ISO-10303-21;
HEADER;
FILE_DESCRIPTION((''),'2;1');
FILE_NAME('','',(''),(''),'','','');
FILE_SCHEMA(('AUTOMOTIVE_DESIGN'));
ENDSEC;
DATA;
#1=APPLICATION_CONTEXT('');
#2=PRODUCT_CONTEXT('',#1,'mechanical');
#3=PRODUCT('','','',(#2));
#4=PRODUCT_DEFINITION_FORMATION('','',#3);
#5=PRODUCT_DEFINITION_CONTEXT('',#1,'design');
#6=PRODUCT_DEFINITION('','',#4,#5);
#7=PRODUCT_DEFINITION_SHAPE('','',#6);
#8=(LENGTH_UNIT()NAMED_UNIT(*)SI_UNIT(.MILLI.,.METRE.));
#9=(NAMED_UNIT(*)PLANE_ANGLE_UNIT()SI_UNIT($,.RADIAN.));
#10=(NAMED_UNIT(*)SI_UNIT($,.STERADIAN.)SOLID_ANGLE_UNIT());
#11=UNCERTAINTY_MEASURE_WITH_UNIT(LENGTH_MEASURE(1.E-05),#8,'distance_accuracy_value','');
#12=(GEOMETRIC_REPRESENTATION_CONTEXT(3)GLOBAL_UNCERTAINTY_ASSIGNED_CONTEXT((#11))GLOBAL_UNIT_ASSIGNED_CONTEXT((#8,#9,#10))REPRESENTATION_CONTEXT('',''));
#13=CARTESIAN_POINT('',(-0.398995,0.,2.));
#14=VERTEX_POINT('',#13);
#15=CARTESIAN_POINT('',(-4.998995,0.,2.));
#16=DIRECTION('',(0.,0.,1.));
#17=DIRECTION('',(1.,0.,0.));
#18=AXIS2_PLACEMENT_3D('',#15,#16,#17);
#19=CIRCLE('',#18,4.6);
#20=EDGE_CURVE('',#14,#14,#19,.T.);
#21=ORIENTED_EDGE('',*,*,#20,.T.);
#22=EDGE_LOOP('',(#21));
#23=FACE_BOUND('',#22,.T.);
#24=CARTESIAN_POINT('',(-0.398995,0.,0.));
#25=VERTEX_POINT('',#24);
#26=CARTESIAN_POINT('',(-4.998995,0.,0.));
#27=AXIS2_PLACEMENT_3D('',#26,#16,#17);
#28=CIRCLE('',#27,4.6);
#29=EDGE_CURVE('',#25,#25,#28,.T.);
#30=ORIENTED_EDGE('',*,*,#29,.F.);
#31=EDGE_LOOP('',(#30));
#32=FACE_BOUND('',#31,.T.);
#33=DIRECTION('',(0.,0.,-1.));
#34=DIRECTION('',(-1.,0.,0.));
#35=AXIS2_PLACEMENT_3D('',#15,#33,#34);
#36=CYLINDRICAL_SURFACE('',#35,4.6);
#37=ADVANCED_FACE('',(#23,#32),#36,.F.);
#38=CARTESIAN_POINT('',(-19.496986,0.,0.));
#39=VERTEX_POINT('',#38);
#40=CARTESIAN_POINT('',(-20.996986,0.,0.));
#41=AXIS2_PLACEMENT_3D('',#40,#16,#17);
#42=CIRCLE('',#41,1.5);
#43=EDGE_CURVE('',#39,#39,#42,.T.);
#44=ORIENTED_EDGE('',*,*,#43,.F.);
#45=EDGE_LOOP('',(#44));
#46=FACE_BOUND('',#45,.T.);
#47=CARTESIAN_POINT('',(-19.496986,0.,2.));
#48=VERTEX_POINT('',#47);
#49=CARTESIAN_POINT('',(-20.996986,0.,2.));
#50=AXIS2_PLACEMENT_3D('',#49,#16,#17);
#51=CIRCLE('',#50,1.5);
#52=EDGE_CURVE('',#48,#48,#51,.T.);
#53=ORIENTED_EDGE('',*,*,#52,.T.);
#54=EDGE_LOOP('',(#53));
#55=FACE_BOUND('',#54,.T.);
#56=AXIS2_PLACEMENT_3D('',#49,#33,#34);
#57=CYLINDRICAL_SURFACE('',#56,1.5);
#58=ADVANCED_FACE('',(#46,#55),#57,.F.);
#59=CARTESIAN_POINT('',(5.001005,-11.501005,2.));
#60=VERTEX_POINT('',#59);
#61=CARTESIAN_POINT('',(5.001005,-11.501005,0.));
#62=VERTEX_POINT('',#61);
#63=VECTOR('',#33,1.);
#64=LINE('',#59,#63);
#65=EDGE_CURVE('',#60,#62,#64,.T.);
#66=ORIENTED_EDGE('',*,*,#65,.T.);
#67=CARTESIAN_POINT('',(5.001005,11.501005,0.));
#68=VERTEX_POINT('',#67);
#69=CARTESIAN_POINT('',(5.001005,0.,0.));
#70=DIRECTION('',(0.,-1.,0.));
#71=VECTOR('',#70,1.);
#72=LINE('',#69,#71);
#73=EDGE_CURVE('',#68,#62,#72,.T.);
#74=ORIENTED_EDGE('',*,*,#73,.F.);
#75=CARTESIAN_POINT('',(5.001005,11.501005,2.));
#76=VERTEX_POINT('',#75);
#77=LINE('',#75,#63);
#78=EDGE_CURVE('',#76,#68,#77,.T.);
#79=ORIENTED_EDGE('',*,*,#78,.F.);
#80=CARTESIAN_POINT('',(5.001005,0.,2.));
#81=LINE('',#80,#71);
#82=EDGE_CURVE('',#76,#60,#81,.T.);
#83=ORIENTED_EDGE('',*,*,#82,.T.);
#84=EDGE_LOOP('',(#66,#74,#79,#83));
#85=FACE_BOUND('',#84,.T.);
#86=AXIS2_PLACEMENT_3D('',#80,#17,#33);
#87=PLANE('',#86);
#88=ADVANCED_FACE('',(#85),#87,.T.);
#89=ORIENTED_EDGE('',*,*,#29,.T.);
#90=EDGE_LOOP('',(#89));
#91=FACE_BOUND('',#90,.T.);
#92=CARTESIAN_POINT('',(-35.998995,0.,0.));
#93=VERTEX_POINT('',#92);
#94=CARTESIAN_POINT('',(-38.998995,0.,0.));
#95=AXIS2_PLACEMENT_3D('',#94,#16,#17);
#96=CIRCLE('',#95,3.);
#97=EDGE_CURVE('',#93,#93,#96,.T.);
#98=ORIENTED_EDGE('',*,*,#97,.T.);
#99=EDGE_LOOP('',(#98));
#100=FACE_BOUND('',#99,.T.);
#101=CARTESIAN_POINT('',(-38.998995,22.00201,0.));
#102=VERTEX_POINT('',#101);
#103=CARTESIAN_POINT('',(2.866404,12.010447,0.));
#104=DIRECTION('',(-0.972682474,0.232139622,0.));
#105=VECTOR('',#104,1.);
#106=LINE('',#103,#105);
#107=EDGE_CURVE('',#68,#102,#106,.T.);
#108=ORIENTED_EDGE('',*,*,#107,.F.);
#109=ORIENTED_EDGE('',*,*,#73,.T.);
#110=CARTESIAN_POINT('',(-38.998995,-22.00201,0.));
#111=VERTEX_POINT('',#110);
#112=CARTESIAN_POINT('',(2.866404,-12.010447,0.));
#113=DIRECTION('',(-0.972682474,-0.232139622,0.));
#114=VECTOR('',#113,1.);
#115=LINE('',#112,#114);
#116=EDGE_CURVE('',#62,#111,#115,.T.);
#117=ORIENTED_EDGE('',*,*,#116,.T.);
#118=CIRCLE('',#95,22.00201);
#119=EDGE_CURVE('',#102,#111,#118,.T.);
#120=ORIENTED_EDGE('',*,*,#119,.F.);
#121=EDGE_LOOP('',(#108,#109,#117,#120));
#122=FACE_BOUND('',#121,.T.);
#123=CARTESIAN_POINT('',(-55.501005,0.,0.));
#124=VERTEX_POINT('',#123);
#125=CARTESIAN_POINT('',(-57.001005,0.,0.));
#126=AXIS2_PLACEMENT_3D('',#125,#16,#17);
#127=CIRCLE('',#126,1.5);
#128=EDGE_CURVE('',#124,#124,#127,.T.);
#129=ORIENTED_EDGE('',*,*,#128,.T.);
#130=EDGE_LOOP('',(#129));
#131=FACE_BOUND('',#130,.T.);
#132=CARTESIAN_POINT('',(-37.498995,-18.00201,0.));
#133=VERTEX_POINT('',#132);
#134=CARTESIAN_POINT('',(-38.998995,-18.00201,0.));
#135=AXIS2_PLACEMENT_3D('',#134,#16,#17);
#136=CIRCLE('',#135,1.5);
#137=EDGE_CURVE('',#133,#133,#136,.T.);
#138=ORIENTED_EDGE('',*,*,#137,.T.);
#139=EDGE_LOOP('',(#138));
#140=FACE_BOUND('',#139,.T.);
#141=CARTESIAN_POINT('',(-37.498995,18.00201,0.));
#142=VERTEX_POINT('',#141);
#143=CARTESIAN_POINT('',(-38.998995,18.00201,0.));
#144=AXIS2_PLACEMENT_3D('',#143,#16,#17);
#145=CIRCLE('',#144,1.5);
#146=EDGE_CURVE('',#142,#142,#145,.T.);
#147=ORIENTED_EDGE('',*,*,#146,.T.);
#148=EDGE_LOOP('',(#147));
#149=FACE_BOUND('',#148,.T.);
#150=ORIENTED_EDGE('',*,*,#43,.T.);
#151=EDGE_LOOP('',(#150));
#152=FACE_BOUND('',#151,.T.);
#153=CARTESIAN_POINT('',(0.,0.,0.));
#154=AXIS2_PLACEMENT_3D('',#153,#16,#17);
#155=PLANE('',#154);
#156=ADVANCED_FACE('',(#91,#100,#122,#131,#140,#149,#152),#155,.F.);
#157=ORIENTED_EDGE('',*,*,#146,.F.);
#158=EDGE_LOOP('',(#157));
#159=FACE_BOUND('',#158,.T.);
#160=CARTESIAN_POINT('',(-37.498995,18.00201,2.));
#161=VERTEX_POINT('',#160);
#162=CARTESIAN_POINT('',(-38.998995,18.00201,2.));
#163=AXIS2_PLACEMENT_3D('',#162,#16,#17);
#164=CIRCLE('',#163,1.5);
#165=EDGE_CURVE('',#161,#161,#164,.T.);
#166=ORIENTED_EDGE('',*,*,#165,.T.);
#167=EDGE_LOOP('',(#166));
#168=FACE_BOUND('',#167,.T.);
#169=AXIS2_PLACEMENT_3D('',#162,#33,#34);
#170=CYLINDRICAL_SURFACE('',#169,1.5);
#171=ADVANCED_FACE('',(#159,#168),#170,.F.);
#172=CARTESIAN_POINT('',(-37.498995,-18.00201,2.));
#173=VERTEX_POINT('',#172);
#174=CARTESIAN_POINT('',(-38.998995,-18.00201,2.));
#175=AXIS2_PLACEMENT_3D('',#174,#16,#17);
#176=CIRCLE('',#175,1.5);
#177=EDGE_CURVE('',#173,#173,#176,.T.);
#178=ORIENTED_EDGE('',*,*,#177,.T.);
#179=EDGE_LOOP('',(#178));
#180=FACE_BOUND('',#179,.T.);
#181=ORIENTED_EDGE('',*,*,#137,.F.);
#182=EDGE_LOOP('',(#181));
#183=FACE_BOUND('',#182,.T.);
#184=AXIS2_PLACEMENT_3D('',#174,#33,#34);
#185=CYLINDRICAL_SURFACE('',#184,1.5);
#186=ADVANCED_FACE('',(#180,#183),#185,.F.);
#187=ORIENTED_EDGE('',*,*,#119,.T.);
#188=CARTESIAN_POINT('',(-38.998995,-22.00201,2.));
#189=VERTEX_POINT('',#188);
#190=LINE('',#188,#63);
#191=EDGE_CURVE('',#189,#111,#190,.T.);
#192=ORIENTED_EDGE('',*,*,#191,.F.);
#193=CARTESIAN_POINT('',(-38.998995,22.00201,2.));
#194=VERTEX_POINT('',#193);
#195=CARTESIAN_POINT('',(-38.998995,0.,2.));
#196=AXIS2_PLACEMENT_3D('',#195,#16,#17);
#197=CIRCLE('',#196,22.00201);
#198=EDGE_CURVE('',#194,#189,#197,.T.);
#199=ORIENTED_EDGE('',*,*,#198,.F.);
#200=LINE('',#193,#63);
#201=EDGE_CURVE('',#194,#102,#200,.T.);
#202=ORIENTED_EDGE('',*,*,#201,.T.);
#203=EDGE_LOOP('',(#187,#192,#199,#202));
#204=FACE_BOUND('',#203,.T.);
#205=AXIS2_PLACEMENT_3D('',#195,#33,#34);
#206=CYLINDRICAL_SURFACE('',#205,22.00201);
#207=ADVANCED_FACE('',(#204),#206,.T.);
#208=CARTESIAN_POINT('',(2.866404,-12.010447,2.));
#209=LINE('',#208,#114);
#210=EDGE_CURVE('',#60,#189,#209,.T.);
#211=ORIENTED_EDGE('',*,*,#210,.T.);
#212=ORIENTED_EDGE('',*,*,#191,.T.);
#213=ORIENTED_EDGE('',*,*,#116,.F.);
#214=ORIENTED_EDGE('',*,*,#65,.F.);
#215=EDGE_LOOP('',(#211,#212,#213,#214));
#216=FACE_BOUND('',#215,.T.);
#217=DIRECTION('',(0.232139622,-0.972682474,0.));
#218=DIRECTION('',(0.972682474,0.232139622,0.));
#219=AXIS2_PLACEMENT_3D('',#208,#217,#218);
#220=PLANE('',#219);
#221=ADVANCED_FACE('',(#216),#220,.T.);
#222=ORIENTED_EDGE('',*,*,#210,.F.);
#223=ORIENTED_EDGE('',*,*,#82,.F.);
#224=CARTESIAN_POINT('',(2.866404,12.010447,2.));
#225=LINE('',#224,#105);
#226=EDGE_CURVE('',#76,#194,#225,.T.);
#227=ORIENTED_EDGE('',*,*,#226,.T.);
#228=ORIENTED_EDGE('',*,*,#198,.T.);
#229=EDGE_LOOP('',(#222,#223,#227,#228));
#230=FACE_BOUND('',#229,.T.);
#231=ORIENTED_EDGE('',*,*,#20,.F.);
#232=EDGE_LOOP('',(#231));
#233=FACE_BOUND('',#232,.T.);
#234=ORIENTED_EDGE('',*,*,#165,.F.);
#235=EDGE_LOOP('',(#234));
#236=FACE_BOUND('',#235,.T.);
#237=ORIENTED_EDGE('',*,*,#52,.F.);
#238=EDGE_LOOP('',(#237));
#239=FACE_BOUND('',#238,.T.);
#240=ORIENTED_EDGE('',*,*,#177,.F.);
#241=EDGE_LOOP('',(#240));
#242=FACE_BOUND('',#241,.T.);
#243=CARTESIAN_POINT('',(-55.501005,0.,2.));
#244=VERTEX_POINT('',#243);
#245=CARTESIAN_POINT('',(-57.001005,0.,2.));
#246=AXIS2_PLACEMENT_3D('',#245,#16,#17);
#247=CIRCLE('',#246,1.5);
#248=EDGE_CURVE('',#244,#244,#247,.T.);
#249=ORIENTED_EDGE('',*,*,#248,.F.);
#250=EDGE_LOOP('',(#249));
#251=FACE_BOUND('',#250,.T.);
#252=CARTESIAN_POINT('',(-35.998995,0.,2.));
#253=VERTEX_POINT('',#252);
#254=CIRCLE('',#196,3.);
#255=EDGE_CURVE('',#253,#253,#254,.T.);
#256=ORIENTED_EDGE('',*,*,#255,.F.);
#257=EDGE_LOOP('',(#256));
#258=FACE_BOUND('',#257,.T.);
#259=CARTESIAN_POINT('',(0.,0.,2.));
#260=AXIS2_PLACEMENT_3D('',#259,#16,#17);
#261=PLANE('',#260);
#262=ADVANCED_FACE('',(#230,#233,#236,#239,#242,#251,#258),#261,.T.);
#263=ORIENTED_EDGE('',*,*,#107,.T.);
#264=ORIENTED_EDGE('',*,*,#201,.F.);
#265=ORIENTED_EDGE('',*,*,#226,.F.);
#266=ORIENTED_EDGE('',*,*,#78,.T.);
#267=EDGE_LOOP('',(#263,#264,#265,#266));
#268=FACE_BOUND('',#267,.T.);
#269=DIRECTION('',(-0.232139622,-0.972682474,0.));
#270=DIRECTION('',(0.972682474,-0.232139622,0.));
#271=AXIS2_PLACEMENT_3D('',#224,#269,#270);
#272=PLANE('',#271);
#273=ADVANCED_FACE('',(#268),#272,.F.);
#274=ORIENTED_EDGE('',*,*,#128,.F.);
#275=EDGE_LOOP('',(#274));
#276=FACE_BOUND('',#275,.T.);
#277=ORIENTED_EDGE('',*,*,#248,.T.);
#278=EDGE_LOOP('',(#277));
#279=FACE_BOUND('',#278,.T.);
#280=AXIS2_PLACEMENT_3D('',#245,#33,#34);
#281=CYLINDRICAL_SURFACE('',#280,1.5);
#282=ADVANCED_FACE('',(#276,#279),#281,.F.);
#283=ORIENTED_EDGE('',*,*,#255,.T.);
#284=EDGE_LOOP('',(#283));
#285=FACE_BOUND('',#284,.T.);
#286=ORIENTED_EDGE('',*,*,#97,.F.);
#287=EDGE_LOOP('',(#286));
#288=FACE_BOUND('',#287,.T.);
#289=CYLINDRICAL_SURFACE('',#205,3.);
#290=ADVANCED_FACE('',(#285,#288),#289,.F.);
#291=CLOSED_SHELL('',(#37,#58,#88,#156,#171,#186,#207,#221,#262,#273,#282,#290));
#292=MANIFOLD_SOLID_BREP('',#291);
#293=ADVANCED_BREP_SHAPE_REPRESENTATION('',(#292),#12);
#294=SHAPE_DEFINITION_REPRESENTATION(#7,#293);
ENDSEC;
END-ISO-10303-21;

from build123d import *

# Parameters (mm, degrees)
SKETCH_1_R      = 1.5
SKETCH_1_R_2    = 3
SKETCH_1_R_3    = 4.6
EXTRUDE_1_DEPTH = 2


with BuildPart() as part:
    # 草图1 → 凸台-拉伸1 (new body)
    with BuildSketch(Plane.XY):
        with BuildLine():
            Line((5.001004832, -11.501004832), (5.001004832, 11.501004832))
            Line((5.001004832, 11.501004832), (-38.998995168, 22.002009663))
            ThreePointArc((-38.998995168, 22.002009663), (-61.001004832, 0), (-38.998995168, -22.002009663))
            Line((-38.998995168, -22.002009663), (5.001004832, -11.501004832))
        make_face()
        with Locations((-38.998995168, -18.002009663)):
            Circle(SKETCH_1_R, mode=Mode.SUBTRACT)
        with Locations((-57.001004832, 0)):
            Circle(SKETCH_1_R, mode=Mode.SUBTRACT)
        with Locations((-38.998995168, 0)):
            Circle(SKETCH_1_R_2, mode=Mode.SUBTRACT)
        with Locations((-38.998995168, 18.002009663)):
            Circle(SKETCH_1_R, mode=Mode.SUBTRACT)
        with Locations((-20.996985505, 0)):
            Circle(SKETCH_1_R, mode=Mode.SUBTRACT)
        with Locations((-4.998995168, 0)):
            Circle(SKETCH_1_R_3, mode=Mode.SUBTRACT)
    extrude(amount=EXTRUDE_1_DEPTH)


solid = part.part
